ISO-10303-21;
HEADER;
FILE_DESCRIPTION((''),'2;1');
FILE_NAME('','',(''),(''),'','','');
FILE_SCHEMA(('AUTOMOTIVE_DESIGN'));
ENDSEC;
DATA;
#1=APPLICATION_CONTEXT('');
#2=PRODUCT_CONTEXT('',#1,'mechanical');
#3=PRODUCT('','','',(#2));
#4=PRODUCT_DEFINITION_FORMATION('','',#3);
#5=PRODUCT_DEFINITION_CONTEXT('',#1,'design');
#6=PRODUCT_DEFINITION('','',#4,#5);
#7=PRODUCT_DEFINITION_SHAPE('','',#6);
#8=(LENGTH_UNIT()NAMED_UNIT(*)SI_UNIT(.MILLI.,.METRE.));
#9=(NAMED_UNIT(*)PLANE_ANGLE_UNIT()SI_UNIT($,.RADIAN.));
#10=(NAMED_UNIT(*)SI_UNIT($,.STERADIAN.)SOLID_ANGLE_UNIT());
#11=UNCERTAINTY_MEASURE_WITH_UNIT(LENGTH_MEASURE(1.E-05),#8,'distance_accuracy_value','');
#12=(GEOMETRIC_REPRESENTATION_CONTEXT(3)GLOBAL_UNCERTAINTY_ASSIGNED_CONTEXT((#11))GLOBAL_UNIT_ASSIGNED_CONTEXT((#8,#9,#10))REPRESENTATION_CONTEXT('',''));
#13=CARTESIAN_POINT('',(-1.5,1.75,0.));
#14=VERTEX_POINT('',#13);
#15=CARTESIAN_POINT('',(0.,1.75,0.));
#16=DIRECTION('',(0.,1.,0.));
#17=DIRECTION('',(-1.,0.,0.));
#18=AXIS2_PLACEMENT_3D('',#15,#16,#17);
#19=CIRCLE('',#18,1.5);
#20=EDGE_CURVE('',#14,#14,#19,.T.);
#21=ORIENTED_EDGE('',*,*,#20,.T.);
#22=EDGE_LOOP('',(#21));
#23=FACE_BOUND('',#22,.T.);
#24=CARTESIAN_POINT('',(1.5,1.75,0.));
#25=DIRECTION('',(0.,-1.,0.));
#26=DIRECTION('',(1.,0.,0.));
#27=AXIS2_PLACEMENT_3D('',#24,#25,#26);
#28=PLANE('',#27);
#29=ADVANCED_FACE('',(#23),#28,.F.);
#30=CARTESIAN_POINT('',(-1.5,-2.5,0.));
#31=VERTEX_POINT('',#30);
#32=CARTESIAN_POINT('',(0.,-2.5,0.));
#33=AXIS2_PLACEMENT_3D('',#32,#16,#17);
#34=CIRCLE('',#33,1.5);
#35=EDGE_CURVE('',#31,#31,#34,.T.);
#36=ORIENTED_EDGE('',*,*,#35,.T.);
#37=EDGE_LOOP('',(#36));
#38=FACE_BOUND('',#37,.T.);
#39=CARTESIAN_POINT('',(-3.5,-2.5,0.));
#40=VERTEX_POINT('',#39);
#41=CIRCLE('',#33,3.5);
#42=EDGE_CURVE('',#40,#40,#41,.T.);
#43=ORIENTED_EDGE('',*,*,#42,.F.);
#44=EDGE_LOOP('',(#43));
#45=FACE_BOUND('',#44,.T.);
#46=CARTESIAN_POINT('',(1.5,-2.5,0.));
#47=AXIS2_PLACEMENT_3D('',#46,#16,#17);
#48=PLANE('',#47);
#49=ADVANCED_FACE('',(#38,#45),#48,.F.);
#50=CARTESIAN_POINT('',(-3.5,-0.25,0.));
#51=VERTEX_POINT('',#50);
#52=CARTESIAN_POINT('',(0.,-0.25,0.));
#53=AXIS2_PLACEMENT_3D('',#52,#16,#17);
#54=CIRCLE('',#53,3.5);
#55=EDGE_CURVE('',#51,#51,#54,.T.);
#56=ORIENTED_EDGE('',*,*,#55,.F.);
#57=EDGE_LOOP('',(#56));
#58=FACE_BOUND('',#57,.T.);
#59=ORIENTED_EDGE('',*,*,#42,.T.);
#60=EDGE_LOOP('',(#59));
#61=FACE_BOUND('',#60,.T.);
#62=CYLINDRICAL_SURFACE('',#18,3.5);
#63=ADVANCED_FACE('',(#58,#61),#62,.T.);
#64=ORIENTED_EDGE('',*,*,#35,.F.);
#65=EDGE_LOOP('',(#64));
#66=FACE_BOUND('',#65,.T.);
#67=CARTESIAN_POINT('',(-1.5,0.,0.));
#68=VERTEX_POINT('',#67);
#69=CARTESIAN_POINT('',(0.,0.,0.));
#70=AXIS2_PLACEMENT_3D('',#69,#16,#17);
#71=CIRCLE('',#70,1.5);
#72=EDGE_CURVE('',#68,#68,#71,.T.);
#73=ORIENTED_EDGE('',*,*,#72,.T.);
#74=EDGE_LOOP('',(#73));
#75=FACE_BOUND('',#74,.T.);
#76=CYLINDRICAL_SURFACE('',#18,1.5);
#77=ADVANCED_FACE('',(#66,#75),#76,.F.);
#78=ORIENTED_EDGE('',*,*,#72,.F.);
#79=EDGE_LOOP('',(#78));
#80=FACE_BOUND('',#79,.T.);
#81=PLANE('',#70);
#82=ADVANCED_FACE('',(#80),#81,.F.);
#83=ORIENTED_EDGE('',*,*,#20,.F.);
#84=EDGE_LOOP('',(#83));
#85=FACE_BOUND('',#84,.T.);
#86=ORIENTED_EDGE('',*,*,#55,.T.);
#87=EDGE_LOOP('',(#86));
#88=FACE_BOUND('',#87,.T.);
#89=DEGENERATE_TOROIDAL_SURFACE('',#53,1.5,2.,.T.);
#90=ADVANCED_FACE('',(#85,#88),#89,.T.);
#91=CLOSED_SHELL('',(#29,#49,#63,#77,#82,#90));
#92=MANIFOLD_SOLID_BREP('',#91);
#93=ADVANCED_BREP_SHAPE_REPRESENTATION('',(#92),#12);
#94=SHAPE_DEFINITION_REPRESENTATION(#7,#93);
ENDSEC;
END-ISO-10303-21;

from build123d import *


with BuildPart() as part:
    # Schizzo1 → Rivoluzione1 (revolve)
    with BuildSketch(Plane.XY):
        with BuildLine():
            Line((0, 0), (1.5, 0))
            Line((1.5, 0), (1.5, -2.5))
            Line((1.5, -2.5), (3.5, -2.5))
            Line((3.5, -2.5), (3.5, -0.25))
            ThreePointArc((3.5, -0.25), (2.914213562, 1.164213562), (1.5, 1.75))
            Line((1.5, 1.75), (0, 1.75))
            Line((0, 1.75), (0, 0))
        make_face()
    revolve(axis=Axis((0, 1.75, 0), (0, -1, 0)))


solid = part.part
